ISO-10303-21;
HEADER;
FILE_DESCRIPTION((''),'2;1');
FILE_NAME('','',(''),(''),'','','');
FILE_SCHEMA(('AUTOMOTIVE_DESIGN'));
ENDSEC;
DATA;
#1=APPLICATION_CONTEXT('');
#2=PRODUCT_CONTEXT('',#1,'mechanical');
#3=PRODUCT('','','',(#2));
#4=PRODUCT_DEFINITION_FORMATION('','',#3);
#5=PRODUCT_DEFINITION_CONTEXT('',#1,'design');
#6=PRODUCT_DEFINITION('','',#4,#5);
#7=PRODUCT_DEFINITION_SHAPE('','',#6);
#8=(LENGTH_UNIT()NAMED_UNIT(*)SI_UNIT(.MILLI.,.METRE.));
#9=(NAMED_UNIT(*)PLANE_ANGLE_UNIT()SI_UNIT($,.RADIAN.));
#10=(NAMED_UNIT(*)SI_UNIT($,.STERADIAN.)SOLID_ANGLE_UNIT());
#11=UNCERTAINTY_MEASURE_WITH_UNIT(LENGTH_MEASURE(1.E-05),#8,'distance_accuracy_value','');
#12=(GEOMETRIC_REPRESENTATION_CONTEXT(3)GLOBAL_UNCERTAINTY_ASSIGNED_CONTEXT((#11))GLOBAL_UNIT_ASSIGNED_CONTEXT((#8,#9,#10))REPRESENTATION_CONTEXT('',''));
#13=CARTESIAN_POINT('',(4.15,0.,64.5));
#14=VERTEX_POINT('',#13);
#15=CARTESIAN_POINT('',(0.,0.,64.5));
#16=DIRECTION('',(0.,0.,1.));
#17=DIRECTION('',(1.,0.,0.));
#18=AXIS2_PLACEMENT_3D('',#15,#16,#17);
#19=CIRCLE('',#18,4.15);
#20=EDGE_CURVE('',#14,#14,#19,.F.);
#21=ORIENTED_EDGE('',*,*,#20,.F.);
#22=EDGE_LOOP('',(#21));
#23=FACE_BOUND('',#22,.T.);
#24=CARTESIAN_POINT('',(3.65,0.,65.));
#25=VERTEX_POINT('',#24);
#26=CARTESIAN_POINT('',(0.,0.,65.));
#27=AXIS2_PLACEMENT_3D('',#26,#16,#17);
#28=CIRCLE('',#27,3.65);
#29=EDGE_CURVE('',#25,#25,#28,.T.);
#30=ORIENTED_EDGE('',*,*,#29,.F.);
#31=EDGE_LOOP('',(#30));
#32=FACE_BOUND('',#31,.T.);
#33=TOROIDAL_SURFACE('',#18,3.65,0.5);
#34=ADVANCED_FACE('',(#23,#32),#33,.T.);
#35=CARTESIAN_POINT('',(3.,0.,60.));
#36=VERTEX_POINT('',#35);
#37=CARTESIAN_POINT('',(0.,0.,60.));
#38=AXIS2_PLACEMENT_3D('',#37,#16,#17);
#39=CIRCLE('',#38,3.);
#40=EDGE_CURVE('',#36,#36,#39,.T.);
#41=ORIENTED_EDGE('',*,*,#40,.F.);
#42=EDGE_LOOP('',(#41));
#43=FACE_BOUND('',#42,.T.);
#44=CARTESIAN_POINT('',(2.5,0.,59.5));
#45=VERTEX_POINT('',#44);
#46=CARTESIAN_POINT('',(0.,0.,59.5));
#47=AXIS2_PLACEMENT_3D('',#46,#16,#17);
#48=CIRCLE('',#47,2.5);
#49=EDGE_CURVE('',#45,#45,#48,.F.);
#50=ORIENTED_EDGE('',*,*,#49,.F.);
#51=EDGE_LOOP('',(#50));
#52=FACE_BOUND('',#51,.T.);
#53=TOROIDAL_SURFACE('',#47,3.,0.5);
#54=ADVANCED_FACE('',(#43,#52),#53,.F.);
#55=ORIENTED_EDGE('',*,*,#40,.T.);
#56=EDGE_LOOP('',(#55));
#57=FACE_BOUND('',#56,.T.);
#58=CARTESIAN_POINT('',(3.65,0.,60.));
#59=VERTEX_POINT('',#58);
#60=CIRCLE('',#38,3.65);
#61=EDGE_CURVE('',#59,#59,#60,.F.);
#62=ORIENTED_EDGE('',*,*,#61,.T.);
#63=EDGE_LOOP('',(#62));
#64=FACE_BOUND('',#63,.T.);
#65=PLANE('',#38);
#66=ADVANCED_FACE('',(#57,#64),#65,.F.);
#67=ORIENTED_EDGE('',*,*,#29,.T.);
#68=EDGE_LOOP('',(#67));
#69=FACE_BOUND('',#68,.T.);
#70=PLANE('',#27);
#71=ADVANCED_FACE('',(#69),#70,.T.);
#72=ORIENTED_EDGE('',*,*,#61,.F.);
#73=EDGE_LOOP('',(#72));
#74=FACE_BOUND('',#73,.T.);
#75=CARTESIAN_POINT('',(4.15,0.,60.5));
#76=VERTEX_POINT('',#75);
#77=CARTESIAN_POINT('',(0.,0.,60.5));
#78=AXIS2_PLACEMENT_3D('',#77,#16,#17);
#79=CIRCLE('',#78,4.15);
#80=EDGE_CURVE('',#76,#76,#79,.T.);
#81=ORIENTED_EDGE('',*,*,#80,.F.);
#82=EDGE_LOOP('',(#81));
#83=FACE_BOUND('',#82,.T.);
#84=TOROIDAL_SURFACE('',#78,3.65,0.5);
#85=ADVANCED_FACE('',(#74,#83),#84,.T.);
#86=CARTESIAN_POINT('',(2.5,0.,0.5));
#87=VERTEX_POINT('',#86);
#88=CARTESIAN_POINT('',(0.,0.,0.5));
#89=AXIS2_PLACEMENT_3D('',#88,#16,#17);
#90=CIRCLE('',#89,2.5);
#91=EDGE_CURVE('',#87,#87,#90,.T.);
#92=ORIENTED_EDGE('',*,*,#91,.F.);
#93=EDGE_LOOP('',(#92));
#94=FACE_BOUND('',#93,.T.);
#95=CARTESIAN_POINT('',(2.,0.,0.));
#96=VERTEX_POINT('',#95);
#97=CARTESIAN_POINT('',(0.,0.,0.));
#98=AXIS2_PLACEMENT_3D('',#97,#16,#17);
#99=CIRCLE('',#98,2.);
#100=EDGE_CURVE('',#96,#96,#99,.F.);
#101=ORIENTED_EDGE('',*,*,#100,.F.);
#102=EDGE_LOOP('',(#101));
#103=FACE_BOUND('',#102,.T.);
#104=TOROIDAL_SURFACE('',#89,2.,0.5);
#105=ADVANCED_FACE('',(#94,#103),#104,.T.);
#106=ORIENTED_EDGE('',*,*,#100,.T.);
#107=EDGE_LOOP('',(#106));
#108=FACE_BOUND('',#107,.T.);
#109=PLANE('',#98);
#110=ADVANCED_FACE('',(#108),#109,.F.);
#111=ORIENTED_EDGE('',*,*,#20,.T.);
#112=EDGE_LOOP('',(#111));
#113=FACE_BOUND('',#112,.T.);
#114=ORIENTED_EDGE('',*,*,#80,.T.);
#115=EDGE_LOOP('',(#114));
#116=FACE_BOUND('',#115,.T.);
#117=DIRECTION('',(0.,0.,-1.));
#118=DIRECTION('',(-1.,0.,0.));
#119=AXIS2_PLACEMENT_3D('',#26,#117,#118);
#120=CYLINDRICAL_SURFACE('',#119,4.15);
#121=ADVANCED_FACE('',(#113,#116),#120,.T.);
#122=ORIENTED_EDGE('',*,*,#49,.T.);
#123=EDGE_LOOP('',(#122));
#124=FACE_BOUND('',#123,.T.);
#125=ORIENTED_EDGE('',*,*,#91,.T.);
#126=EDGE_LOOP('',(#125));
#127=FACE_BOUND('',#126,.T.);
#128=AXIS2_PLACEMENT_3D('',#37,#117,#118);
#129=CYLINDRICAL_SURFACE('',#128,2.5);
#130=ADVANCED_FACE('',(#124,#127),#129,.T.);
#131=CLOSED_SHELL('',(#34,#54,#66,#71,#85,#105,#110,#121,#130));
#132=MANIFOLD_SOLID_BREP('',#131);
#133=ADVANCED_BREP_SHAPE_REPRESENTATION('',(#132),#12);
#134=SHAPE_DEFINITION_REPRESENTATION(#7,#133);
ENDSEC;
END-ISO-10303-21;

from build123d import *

# Parameters (mm, degrees)
SKETCH1_R           = 2.5
BOSS_EXTRUDE1_DEPTH = 60
SKETCH2_R           = 4.15
BOSS_EXTRUDE2_DEPTH = 5
FILLET1_R           = 0.5


with BuildPart() as part:
    # Sketch1 → Boss-Extrude1 (new body)
    with BuildSketch(Plane.XY):
        Circle(SKETCH1_R)
    extrude(amount=BOSS_EXTRUDE1_DEPTH)

    # Sketch2 → Boss-Extrude2 (add)
    with BuildSketch(Plane.XY.offset(60)):
        Circle(SKETCH2_R)
    extrude(amount=BOSS_EXTRUDE2_DEPTH)

    # Fillet1
    fillet1_edges = [part.edges().sort_by_distance(p)[0] for p in [
        (-2.5, 0, 0),
        (-2.5, 0, 60),
        (-4.15, 0, 60),
        (-4.15, 0, 65),
    ]]
    fillet(fillet1_edges, radius=FILLET1_R)


solid = part.part
